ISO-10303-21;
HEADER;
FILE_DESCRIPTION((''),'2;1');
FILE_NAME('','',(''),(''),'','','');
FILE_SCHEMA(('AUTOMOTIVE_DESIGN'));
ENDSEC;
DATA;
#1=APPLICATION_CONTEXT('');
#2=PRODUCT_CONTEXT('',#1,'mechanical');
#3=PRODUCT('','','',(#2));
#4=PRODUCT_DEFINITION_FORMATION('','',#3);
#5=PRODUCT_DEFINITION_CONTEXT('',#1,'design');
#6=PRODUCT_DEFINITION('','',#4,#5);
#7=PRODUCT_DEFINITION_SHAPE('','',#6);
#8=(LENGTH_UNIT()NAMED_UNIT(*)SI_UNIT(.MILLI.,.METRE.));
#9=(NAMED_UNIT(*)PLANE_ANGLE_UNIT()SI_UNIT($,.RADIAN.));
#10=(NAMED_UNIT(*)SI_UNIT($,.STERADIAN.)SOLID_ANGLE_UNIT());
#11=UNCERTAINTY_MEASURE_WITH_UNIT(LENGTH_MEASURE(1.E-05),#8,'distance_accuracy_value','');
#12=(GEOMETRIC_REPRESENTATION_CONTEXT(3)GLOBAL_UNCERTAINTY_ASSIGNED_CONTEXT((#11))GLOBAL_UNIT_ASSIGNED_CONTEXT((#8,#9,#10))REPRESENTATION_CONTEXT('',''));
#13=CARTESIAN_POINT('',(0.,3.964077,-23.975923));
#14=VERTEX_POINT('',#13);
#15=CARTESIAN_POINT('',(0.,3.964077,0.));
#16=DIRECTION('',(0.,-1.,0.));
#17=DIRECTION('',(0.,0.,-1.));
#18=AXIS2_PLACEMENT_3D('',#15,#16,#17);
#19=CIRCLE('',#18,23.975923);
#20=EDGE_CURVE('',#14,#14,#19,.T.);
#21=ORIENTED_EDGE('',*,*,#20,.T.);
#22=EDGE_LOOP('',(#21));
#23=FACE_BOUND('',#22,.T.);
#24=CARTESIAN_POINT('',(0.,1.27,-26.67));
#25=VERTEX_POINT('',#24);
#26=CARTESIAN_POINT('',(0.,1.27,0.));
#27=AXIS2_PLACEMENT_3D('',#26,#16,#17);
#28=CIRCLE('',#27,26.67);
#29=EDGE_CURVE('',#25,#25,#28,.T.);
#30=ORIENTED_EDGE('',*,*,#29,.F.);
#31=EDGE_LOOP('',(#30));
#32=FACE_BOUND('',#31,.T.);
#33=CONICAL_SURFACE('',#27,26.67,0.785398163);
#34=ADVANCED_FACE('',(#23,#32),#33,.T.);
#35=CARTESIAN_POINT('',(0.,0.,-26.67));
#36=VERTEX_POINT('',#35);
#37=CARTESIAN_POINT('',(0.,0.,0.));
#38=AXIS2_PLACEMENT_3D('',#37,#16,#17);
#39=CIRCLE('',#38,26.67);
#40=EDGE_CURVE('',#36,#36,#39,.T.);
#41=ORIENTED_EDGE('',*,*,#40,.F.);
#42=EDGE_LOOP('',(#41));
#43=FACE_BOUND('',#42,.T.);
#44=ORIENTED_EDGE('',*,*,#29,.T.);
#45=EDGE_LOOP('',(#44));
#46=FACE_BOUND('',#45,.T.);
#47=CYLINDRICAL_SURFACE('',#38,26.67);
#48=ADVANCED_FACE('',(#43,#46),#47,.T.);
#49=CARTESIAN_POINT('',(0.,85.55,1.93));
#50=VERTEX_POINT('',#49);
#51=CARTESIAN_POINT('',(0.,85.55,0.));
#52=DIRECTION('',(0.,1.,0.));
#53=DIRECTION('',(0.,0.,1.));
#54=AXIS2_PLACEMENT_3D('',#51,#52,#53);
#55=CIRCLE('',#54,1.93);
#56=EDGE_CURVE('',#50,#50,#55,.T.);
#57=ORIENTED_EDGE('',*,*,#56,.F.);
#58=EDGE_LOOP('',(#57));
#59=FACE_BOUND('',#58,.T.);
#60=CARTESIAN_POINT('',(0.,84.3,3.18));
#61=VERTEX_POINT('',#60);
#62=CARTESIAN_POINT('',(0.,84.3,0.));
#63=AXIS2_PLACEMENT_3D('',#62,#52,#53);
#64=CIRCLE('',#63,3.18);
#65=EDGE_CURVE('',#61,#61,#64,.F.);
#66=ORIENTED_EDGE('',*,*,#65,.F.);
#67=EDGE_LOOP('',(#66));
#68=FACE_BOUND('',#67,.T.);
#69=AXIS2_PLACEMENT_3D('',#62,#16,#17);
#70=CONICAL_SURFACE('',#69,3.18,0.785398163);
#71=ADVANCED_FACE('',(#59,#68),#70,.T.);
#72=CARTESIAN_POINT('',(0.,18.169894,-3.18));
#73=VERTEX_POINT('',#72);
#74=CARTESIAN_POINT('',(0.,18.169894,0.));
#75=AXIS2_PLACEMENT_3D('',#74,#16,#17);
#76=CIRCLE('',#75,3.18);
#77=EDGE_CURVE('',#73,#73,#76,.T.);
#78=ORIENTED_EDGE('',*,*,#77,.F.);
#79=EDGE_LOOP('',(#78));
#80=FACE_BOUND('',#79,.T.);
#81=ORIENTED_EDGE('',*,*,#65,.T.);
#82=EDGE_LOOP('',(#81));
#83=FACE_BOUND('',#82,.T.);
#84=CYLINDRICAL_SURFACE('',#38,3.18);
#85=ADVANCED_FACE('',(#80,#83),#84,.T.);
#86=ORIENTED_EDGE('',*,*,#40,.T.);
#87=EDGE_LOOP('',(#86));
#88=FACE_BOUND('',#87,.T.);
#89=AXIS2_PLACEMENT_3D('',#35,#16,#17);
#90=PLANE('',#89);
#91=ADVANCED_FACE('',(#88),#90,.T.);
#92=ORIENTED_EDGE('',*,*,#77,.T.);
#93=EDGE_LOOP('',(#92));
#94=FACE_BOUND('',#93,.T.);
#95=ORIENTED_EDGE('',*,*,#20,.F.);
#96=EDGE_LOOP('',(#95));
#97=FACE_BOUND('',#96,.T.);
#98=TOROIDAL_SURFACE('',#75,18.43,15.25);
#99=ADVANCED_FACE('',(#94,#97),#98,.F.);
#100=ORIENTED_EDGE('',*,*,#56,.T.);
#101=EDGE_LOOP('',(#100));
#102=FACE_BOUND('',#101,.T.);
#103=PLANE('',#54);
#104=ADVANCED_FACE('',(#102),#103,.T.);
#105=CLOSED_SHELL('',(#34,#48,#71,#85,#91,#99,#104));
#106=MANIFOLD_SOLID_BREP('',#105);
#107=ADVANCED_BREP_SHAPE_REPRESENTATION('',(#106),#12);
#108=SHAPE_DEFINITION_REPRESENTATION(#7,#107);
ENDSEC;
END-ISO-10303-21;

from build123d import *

# Parameters (mm, degrees)
CHANFREIN1_SIZE = 1.25


with BuildPart() as part:
    # Esquisse1 → Révolution1 (revolve)
    with BuildSketch(Plane(origin=(0, 0, 0), x_dir=(0, 0, -1), z_dir=(1, 0, 0))):
        with BuildLine():
            Line((0, 0), (0, 85.55))
            Line((0, 85.55), (3.18, 85.55))
            Line((3.18, 85.55), (3.18, 18.169893823))
            ThreePointArc((3.18, 18.169893823), (9.828047554, 5.577478879), (23.975923164, 3.964076836))
            Line((23.975923164, 3.964076836), (26.67, 1.27))
            Line((26.67, 1.27), (26.67, 0))
            Line((26.67, 0), (0, 0))
        make_face()
    revolve(axis=Axis((0, 0, 0), (0, 1, 0)))

    # Chanfrein1
    chanfrein1_edges = [part.edges().sort_by_distance(p)[0] for p in [
        (0, 85.55, 3.18),
    ]]
    chamfer(chanfrein1_edges, length=CHANFREIN1_SIZE)


solid = part.part
